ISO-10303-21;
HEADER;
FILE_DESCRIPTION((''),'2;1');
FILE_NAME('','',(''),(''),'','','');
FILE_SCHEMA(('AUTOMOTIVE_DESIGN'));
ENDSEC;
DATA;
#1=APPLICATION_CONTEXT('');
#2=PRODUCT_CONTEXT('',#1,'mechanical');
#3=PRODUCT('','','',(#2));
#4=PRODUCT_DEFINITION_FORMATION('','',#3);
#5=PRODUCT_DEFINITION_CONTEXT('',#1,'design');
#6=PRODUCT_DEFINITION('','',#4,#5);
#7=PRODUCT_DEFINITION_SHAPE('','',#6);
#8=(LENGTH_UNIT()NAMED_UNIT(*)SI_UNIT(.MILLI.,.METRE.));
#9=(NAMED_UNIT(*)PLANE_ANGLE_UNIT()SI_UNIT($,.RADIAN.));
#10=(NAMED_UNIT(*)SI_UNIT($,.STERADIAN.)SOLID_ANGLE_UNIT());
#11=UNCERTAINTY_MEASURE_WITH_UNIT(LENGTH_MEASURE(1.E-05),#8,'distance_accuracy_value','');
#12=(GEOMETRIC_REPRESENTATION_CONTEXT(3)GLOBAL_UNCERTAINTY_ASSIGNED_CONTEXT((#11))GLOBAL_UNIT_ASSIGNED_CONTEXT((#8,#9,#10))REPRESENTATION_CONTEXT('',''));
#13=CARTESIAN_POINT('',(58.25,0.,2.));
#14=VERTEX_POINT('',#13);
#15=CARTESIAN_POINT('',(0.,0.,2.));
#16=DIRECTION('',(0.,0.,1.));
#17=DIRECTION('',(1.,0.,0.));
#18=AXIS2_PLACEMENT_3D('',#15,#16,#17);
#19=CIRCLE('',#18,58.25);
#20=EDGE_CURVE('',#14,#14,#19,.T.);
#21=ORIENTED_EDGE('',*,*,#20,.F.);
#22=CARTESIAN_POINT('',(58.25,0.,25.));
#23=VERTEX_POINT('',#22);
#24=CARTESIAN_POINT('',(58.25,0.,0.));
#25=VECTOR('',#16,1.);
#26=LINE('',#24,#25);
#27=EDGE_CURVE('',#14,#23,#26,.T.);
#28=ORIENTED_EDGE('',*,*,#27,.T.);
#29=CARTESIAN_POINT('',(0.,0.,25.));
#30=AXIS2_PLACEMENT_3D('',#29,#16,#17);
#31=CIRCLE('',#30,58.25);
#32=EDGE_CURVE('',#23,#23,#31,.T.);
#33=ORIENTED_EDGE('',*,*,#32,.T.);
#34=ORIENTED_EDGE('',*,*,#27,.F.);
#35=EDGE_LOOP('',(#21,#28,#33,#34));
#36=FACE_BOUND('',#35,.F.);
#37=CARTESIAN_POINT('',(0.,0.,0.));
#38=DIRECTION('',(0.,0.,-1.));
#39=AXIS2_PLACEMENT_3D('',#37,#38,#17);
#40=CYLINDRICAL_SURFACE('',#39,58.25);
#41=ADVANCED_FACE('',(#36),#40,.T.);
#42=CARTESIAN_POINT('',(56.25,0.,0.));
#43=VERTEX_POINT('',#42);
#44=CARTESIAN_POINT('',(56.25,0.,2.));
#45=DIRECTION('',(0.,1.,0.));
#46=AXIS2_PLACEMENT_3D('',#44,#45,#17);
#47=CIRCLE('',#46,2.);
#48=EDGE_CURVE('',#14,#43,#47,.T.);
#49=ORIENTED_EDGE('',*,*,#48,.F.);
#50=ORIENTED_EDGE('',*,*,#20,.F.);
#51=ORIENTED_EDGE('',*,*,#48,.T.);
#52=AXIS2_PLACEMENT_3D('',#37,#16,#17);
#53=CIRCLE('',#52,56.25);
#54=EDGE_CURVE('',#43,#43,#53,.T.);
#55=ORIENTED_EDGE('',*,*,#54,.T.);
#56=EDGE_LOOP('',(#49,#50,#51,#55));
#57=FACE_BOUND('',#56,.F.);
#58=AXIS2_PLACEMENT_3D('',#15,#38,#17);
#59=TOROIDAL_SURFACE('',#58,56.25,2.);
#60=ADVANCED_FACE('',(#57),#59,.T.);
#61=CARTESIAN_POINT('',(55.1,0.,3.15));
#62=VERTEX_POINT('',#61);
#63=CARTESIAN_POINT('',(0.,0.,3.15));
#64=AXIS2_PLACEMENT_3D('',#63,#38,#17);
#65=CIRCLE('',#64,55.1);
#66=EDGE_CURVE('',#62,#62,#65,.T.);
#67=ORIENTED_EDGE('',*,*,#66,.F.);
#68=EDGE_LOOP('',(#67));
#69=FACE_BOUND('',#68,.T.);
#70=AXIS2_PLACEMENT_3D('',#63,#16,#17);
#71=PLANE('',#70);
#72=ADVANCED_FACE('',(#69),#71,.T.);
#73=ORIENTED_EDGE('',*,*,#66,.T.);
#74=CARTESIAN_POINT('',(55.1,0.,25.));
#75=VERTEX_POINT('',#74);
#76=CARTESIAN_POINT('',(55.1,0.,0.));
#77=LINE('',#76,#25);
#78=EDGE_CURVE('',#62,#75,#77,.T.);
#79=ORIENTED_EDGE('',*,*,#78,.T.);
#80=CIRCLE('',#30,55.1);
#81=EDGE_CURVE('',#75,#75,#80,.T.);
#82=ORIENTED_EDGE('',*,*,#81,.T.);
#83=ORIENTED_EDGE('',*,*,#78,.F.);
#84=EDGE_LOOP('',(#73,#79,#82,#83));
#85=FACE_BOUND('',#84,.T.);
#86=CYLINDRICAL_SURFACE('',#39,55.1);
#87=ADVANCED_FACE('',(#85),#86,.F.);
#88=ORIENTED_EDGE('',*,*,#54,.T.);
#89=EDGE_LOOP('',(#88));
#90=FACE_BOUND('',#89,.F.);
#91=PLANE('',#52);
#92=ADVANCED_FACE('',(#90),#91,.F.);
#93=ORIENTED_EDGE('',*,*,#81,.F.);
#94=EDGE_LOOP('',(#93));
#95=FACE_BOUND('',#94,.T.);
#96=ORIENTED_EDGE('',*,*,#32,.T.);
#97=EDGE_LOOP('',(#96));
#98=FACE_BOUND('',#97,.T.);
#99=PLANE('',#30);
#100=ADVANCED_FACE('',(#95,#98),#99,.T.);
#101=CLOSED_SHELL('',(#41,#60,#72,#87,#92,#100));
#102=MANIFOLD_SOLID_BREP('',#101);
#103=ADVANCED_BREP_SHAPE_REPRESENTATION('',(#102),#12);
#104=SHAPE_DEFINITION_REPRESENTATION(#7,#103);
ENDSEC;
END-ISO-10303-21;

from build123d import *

# Parameters (mm, degrees)
F0_R     = 58.25
F1_DEPTH = 25
F2_T     = -3.15
F3_R     = 2


with BuildPart() as f1:
    # F0 (on Top) → F1 (new body)
    with BuildSketch(Plane.XY):
        Circle(F0_R)
    extrude(amount=F1_DEPTH)

    # F2
    f2_openings = [f1.faces().sort_by_distance(p)[0] for p in [
        (0, 0, 25),
    ]]
    offset(amount=F2_T, openings=f2_openings)

    # F3
    f3_edges = [f1.edges().sort_by_distance(p)[0] for p in [
        (-58.25, 0, 0),
    ]]
    fillet(f3_edges, radius=F3_R)


solid = f1.part
